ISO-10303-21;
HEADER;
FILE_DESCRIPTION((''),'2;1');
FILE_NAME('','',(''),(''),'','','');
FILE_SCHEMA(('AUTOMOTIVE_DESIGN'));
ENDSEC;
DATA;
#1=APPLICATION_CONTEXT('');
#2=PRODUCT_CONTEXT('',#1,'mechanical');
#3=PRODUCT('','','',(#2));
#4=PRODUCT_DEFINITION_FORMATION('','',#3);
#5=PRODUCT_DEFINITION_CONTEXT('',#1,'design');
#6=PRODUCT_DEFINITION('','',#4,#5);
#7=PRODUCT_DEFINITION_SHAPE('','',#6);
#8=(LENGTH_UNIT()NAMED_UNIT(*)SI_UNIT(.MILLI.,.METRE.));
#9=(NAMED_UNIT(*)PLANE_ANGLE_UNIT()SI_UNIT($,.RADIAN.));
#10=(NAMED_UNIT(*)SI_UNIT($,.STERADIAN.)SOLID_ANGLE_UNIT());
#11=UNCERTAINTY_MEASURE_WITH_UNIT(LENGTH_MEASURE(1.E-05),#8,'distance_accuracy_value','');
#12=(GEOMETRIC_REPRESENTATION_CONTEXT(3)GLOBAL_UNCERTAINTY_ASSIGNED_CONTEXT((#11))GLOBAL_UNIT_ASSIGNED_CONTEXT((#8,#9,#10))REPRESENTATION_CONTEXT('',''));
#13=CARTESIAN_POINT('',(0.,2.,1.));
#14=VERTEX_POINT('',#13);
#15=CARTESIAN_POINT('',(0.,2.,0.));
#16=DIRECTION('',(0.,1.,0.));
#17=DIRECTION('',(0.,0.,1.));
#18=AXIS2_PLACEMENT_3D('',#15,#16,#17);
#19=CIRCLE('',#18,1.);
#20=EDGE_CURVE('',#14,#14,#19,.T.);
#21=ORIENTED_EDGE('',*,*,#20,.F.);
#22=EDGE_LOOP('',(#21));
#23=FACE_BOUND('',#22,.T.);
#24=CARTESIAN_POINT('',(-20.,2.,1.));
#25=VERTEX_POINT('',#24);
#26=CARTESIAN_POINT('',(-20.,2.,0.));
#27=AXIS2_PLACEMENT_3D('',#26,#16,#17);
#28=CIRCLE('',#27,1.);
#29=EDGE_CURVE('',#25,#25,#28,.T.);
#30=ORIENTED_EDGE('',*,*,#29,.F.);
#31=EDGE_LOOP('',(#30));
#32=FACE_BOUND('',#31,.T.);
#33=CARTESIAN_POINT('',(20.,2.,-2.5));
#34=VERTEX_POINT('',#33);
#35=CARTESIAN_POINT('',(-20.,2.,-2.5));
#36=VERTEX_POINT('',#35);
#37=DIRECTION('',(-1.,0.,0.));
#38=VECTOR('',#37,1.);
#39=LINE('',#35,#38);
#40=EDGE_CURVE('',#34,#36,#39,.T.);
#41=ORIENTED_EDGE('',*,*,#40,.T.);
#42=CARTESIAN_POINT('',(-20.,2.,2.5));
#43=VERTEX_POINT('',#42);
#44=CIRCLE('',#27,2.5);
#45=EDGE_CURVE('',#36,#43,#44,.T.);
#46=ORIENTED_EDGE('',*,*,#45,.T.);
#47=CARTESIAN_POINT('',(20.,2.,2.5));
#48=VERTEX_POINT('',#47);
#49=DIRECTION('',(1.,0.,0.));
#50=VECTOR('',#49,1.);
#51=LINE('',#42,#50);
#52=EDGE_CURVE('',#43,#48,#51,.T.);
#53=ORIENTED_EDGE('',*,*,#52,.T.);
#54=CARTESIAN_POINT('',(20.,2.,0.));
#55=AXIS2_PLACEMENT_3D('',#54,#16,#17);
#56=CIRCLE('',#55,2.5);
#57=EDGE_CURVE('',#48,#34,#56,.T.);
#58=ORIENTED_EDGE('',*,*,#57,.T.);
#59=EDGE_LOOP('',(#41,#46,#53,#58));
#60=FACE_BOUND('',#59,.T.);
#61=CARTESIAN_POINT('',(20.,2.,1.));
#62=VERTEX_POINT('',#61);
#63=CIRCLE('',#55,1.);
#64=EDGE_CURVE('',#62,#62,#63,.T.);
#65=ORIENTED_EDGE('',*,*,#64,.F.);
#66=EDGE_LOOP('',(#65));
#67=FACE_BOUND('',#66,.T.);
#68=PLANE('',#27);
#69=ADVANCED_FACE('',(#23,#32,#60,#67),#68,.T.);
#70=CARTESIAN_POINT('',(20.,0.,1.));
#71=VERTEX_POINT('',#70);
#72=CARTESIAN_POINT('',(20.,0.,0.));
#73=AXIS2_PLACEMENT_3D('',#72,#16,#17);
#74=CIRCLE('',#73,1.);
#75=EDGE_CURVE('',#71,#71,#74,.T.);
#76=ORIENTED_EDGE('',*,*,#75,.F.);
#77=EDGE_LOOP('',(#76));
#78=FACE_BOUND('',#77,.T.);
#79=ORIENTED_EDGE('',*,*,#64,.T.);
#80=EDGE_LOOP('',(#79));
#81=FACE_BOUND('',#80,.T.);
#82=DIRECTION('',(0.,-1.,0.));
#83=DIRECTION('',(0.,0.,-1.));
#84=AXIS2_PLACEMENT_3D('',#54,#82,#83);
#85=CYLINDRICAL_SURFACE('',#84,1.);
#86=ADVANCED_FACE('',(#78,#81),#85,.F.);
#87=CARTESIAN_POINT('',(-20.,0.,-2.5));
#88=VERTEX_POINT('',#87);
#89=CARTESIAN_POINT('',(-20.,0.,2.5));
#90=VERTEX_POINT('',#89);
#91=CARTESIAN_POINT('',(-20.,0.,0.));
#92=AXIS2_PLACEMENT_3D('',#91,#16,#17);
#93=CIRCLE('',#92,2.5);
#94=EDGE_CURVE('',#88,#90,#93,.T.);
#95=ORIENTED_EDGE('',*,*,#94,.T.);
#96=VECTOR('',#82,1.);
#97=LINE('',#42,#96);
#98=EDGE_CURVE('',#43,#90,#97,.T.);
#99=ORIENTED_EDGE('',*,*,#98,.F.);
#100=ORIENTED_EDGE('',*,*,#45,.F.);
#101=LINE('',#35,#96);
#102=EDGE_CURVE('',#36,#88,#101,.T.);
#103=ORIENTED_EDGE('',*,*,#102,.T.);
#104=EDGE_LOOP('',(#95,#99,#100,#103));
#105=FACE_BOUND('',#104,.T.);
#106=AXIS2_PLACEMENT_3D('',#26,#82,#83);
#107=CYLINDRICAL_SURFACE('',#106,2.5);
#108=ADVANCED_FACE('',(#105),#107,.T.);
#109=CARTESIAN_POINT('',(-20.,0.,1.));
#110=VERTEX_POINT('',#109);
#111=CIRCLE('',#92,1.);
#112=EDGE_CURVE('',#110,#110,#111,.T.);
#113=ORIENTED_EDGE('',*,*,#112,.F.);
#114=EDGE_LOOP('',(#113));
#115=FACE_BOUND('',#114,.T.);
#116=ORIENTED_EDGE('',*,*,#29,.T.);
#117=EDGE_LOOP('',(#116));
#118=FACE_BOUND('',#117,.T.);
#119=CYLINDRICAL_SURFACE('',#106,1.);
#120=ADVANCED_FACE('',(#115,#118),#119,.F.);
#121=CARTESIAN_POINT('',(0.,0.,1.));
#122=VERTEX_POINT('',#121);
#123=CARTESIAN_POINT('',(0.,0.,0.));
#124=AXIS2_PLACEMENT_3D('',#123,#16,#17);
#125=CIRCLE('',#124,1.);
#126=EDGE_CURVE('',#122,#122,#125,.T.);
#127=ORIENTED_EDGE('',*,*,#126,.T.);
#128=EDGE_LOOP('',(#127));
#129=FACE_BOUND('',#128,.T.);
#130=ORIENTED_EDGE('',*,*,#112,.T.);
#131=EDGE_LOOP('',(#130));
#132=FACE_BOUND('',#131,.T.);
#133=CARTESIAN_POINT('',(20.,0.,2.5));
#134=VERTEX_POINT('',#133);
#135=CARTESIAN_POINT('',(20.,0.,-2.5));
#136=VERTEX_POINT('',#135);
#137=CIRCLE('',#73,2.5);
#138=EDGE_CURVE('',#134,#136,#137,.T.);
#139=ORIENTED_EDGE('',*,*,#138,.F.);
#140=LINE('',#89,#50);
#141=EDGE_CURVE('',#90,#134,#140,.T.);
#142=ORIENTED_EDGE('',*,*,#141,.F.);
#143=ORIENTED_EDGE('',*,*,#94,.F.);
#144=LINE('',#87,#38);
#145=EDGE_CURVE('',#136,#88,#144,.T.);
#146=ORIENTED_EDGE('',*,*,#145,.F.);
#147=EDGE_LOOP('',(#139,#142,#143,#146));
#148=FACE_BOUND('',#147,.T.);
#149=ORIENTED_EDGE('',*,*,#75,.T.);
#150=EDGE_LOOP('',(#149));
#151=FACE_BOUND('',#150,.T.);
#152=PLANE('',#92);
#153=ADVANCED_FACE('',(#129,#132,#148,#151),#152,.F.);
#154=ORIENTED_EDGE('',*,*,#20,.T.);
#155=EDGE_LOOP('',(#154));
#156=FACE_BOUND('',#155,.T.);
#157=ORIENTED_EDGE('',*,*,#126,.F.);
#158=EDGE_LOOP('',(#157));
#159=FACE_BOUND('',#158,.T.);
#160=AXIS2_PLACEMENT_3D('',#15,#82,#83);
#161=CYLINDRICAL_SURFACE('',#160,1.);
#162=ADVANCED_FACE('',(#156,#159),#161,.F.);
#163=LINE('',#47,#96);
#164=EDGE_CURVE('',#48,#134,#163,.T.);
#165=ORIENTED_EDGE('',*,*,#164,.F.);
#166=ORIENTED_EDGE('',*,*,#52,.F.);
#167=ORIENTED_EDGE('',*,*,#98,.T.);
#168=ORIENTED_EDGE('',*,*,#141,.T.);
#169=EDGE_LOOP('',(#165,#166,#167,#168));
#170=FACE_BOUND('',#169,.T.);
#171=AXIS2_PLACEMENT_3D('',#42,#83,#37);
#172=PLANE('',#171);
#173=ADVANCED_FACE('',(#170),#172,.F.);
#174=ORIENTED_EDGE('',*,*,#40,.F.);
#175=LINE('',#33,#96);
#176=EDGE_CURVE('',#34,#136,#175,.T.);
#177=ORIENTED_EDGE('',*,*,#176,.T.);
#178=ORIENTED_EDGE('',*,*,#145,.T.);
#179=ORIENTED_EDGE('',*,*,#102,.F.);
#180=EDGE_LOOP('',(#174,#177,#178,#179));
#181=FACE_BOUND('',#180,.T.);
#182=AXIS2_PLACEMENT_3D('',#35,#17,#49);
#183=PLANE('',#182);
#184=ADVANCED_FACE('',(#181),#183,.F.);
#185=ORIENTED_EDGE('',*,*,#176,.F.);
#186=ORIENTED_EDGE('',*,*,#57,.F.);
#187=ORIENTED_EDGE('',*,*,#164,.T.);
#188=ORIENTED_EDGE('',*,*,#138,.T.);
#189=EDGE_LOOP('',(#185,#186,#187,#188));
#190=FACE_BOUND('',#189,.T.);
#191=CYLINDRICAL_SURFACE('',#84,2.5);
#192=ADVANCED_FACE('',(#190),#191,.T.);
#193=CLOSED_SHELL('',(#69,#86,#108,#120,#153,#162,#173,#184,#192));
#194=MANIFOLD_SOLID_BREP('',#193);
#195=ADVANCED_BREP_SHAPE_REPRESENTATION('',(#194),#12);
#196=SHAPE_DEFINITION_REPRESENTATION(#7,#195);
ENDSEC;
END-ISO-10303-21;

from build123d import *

# Parameters (mm, degrees)
SKETCH1_R           = 1
BOSS_EXTRUDE1_DEPTH = 2


with BuildPart() as part:
    # Sketch1 → Boss-Extrude1 (new body)
    with BuildSketch(Plane(origin=(0, 0, 0), x_dir=(1, 0, 0), z_dir=(0, 1, 0))):
        with BuildLine():
            Line((-20, 2.5), (20, 2.5))
            ThreePointArc((20, 2.5), (22.5, 0), (20, -2.5))
            Line((20, -2.5), (-20, -2.5))
            ThreePointArc((-20, -2.5), (-22.5, 0), (-20, 2.5))
        make_face()
        with Locations(Location((20, 0, 0), (0, 0, 270))):
            Circle(SKETCH1_R, mode=Mode.SUBTRACT)
        with Locations(Location((-20, 0, 0), (0, 0, 270))):
            Circle(SKETCH1_R, mode=Mode.SUBTRACT)
        with Locations(Location((0, 0, 0), (0, 0, 270))):
            Circle(SKETCH1_R, mode=Mode.SUBTRACT)
    extrude(amount=BOSS_EXTRUDE1_DEPTH)


solid = part.part
